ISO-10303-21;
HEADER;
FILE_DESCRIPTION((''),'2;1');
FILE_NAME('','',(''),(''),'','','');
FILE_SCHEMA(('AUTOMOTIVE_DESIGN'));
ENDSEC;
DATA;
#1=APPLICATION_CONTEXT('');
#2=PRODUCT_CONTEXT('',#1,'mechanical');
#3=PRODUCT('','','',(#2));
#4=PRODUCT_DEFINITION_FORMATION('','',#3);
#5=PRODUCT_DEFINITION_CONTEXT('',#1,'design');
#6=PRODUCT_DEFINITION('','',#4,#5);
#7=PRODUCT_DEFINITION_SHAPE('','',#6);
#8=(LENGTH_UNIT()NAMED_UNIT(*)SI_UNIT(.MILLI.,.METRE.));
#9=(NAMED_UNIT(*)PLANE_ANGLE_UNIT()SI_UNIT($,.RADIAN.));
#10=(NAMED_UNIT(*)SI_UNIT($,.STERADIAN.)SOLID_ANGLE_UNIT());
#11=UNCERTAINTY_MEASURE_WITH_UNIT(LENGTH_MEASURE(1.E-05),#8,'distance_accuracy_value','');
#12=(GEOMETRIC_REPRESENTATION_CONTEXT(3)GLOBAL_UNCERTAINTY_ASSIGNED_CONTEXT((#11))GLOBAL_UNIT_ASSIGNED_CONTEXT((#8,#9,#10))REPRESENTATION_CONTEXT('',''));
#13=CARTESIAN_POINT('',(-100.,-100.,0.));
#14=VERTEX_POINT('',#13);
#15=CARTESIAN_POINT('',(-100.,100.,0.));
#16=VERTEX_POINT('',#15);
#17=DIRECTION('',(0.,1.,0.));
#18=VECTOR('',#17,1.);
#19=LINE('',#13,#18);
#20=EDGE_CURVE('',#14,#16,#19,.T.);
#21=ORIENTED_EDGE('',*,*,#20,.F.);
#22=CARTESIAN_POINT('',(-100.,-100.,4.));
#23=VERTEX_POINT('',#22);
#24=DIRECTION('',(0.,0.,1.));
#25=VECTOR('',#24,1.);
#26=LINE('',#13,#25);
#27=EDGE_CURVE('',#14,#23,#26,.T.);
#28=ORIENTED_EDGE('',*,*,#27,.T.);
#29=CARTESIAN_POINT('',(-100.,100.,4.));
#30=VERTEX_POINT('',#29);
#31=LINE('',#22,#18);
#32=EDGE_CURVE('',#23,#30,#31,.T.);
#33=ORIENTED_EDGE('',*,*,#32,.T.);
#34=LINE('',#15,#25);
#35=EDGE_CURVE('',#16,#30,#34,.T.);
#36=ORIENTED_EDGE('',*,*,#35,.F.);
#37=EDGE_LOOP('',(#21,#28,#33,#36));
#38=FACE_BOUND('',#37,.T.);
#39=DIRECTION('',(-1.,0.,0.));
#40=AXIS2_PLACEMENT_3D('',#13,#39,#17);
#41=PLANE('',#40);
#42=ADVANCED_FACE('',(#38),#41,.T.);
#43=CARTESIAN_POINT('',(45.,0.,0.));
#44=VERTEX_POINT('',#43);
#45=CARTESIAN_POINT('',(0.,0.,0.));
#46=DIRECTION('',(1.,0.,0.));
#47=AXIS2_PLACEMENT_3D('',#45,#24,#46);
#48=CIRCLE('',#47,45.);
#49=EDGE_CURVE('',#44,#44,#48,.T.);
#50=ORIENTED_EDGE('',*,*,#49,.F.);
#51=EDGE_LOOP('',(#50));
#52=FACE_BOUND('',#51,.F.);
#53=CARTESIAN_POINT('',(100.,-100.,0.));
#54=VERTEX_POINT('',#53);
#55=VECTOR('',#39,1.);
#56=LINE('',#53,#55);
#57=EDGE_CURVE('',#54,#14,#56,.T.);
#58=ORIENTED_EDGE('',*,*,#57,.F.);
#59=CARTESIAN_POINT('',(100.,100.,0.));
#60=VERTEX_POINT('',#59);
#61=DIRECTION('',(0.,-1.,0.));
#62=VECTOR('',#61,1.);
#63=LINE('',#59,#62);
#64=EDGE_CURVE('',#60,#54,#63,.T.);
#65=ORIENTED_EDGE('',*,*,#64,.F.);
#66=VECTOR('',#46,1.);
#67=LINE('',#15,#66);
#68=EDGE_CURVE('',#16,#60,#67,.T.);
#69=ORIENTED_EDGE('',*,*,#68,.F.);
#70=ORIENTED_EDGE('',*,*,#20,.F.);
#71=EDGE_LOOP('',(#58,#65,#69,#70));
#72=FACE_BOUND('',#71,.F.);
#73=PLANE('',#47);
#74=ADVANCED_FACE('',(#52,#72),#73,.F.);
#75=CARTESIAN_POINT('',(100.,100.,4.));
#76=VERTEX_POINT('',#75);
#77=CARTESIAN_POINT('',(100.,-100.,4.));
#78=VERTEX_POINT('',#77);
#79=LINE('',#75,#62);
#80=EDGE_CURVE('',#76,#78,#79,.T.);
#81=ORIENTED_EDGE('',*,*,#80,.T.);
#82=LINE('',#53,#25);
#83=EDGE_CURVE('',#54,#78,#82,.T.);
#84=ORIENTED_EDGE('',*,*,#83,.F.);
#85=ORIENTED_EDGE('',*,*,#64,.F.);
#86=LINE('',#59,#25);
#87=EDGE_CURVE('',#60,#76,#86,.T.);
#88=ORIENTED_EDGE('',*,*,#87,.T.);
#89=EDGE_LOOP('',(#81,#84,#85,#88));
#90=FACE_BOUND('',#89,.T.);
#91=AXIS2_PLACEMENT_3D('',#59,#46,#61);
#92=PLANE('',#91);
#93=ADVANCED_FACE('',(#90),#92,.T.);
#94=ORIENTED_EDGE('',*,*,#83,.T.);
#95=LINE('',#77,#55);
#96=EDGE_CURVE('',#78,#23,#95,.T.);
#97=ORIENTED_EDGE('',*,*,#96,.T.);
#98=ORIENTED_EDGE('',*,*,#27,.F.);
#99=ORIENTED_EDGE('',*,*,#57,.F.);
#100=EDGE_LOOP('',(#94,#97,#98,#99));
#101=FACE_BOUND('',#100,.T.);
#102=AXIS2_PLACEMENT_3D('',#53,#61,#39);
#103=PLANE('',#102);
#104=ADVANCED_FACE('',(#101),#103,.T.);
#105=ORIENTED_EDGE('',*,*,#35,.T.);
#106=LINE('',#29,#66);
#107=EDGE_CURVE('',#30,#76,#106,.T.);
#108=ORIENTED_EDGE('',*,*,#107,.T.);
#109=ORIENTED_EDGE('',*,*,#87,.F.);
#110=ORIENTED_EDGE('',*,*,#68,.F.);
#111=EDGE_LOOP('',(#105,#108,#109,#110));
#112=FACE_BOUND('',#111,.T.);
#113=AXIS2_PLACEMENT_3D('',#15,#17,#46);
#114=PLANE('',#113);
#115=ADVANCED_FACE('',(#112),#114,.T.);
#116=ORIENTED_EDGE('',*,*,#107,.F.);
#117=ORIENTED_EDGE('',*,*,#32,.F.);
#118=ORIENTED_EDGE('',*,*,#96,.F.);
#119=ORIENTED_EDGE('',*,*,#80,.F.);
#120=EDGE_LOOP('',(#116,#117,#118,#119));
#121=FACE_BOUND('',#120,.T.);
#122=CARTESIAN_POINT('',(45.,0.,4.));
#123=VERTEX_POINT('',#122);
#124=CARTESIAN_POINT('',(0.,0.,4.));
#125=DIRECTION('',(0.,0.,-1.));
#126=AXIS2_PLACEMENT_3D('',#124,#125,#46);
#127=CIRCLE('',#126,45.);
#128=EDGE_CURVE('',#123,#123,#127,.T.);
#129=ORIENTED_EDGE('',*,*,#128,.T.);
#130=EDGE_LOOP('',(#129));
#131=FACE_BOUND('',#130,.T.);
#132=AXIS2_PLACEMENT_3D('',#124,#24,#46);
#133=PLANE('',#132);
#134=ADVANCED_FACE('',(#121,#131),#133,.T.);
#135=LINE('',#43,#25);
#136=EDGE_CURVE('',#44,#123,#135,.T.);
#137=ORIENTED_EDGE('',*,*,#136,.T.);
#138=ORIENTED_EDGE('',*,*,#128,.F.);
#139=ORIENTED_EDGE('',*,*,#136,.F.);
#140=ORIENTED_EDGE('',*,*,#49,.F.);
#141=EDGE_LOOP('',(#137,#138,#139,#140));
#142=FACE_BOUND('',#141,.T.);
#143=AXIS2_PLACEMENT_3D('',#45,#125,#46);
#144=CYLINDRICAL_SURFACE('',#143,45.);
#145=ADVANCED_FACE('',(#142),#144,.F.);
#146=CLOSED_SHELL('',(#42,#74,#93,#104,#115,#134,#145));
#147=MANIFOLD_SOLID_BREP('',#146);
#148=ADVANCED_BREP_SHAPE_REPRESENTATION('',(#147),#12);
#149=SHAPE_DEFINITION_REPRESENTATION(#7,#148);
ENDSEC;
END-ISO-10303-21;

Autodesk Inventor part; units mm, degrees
ref_plane "YZ Plane" through (0, 0, 0) normal (1, 0, 0) x (0, 1, 0)
ref_plane "XZ Plane" through (0, 0, 0) normal (0, 1, 0) x (-1, 0, 0)
ref_plane "XY Plane" through (0, 0, 0) normal (0, 0, 1) x (1, 0, 0)
sketch "Sketch1" plane through (0, 0, 0) normal (0, 0, 1) x (1, 0, 0)
  line L0 (-100, 100) -> (100, 100)
  line L1 (100, 100) -> (100, -100)
  line L2 (100, -100) -> (-100, -100)
  line L3 (-100, -100) -> (-100, 100)
  line L4 (-100, 100) -> (100, -100) construction
  line L5 (100, 100) -> (-100, -100) construction
  point P0 (0, 0)
  dimension "d0" = 200
  dimension "d1" = 200
extrude "Plate1" add sketch "Sketch1" along normal blind 4
sketch "Sketch2" plane through (0, 0, 0) normal (0, 0, 1) x (1, 0, 0)
  circle A0 centre (0, 0) radius 45
  dimension "d3" = 90
extrude "Extrusion1" cut sketch "Sketch2" along normal blind 10
equation "\"d1\" = d0"
equation "\"d2\" = Thickness"
equation "\"BendRadius\" = Thickness"
equation "\"BendReliefWidth\" = Thickness"
equation "\"BendReliefDepth\" = 0.5 * Thickness"
equation "\"CornerReliefSize\" = 4 * Thickness"
equation "\"MinimumRemnant\" = 2 * Thickness"
equation "\"TransitionRadius\" = BendRadius"
equation "\"JacobiRadiusSize\" = BendRadius"
equation "\"GapSize\" = Thickness"
equation "\"Конус_Угол_продольный\" = 52.4deg"
equation "\"Конус_Угол_поперечный\" = 52deg"
equation "\"Конус_Дно_сторона\" = 200"
equation "\"Конус_ширина_по_оси\" = 1700"
equation "\"Thickness\" = 4"
properties part number "МОО 011 конус подача дно" material "Stainless Steel"
